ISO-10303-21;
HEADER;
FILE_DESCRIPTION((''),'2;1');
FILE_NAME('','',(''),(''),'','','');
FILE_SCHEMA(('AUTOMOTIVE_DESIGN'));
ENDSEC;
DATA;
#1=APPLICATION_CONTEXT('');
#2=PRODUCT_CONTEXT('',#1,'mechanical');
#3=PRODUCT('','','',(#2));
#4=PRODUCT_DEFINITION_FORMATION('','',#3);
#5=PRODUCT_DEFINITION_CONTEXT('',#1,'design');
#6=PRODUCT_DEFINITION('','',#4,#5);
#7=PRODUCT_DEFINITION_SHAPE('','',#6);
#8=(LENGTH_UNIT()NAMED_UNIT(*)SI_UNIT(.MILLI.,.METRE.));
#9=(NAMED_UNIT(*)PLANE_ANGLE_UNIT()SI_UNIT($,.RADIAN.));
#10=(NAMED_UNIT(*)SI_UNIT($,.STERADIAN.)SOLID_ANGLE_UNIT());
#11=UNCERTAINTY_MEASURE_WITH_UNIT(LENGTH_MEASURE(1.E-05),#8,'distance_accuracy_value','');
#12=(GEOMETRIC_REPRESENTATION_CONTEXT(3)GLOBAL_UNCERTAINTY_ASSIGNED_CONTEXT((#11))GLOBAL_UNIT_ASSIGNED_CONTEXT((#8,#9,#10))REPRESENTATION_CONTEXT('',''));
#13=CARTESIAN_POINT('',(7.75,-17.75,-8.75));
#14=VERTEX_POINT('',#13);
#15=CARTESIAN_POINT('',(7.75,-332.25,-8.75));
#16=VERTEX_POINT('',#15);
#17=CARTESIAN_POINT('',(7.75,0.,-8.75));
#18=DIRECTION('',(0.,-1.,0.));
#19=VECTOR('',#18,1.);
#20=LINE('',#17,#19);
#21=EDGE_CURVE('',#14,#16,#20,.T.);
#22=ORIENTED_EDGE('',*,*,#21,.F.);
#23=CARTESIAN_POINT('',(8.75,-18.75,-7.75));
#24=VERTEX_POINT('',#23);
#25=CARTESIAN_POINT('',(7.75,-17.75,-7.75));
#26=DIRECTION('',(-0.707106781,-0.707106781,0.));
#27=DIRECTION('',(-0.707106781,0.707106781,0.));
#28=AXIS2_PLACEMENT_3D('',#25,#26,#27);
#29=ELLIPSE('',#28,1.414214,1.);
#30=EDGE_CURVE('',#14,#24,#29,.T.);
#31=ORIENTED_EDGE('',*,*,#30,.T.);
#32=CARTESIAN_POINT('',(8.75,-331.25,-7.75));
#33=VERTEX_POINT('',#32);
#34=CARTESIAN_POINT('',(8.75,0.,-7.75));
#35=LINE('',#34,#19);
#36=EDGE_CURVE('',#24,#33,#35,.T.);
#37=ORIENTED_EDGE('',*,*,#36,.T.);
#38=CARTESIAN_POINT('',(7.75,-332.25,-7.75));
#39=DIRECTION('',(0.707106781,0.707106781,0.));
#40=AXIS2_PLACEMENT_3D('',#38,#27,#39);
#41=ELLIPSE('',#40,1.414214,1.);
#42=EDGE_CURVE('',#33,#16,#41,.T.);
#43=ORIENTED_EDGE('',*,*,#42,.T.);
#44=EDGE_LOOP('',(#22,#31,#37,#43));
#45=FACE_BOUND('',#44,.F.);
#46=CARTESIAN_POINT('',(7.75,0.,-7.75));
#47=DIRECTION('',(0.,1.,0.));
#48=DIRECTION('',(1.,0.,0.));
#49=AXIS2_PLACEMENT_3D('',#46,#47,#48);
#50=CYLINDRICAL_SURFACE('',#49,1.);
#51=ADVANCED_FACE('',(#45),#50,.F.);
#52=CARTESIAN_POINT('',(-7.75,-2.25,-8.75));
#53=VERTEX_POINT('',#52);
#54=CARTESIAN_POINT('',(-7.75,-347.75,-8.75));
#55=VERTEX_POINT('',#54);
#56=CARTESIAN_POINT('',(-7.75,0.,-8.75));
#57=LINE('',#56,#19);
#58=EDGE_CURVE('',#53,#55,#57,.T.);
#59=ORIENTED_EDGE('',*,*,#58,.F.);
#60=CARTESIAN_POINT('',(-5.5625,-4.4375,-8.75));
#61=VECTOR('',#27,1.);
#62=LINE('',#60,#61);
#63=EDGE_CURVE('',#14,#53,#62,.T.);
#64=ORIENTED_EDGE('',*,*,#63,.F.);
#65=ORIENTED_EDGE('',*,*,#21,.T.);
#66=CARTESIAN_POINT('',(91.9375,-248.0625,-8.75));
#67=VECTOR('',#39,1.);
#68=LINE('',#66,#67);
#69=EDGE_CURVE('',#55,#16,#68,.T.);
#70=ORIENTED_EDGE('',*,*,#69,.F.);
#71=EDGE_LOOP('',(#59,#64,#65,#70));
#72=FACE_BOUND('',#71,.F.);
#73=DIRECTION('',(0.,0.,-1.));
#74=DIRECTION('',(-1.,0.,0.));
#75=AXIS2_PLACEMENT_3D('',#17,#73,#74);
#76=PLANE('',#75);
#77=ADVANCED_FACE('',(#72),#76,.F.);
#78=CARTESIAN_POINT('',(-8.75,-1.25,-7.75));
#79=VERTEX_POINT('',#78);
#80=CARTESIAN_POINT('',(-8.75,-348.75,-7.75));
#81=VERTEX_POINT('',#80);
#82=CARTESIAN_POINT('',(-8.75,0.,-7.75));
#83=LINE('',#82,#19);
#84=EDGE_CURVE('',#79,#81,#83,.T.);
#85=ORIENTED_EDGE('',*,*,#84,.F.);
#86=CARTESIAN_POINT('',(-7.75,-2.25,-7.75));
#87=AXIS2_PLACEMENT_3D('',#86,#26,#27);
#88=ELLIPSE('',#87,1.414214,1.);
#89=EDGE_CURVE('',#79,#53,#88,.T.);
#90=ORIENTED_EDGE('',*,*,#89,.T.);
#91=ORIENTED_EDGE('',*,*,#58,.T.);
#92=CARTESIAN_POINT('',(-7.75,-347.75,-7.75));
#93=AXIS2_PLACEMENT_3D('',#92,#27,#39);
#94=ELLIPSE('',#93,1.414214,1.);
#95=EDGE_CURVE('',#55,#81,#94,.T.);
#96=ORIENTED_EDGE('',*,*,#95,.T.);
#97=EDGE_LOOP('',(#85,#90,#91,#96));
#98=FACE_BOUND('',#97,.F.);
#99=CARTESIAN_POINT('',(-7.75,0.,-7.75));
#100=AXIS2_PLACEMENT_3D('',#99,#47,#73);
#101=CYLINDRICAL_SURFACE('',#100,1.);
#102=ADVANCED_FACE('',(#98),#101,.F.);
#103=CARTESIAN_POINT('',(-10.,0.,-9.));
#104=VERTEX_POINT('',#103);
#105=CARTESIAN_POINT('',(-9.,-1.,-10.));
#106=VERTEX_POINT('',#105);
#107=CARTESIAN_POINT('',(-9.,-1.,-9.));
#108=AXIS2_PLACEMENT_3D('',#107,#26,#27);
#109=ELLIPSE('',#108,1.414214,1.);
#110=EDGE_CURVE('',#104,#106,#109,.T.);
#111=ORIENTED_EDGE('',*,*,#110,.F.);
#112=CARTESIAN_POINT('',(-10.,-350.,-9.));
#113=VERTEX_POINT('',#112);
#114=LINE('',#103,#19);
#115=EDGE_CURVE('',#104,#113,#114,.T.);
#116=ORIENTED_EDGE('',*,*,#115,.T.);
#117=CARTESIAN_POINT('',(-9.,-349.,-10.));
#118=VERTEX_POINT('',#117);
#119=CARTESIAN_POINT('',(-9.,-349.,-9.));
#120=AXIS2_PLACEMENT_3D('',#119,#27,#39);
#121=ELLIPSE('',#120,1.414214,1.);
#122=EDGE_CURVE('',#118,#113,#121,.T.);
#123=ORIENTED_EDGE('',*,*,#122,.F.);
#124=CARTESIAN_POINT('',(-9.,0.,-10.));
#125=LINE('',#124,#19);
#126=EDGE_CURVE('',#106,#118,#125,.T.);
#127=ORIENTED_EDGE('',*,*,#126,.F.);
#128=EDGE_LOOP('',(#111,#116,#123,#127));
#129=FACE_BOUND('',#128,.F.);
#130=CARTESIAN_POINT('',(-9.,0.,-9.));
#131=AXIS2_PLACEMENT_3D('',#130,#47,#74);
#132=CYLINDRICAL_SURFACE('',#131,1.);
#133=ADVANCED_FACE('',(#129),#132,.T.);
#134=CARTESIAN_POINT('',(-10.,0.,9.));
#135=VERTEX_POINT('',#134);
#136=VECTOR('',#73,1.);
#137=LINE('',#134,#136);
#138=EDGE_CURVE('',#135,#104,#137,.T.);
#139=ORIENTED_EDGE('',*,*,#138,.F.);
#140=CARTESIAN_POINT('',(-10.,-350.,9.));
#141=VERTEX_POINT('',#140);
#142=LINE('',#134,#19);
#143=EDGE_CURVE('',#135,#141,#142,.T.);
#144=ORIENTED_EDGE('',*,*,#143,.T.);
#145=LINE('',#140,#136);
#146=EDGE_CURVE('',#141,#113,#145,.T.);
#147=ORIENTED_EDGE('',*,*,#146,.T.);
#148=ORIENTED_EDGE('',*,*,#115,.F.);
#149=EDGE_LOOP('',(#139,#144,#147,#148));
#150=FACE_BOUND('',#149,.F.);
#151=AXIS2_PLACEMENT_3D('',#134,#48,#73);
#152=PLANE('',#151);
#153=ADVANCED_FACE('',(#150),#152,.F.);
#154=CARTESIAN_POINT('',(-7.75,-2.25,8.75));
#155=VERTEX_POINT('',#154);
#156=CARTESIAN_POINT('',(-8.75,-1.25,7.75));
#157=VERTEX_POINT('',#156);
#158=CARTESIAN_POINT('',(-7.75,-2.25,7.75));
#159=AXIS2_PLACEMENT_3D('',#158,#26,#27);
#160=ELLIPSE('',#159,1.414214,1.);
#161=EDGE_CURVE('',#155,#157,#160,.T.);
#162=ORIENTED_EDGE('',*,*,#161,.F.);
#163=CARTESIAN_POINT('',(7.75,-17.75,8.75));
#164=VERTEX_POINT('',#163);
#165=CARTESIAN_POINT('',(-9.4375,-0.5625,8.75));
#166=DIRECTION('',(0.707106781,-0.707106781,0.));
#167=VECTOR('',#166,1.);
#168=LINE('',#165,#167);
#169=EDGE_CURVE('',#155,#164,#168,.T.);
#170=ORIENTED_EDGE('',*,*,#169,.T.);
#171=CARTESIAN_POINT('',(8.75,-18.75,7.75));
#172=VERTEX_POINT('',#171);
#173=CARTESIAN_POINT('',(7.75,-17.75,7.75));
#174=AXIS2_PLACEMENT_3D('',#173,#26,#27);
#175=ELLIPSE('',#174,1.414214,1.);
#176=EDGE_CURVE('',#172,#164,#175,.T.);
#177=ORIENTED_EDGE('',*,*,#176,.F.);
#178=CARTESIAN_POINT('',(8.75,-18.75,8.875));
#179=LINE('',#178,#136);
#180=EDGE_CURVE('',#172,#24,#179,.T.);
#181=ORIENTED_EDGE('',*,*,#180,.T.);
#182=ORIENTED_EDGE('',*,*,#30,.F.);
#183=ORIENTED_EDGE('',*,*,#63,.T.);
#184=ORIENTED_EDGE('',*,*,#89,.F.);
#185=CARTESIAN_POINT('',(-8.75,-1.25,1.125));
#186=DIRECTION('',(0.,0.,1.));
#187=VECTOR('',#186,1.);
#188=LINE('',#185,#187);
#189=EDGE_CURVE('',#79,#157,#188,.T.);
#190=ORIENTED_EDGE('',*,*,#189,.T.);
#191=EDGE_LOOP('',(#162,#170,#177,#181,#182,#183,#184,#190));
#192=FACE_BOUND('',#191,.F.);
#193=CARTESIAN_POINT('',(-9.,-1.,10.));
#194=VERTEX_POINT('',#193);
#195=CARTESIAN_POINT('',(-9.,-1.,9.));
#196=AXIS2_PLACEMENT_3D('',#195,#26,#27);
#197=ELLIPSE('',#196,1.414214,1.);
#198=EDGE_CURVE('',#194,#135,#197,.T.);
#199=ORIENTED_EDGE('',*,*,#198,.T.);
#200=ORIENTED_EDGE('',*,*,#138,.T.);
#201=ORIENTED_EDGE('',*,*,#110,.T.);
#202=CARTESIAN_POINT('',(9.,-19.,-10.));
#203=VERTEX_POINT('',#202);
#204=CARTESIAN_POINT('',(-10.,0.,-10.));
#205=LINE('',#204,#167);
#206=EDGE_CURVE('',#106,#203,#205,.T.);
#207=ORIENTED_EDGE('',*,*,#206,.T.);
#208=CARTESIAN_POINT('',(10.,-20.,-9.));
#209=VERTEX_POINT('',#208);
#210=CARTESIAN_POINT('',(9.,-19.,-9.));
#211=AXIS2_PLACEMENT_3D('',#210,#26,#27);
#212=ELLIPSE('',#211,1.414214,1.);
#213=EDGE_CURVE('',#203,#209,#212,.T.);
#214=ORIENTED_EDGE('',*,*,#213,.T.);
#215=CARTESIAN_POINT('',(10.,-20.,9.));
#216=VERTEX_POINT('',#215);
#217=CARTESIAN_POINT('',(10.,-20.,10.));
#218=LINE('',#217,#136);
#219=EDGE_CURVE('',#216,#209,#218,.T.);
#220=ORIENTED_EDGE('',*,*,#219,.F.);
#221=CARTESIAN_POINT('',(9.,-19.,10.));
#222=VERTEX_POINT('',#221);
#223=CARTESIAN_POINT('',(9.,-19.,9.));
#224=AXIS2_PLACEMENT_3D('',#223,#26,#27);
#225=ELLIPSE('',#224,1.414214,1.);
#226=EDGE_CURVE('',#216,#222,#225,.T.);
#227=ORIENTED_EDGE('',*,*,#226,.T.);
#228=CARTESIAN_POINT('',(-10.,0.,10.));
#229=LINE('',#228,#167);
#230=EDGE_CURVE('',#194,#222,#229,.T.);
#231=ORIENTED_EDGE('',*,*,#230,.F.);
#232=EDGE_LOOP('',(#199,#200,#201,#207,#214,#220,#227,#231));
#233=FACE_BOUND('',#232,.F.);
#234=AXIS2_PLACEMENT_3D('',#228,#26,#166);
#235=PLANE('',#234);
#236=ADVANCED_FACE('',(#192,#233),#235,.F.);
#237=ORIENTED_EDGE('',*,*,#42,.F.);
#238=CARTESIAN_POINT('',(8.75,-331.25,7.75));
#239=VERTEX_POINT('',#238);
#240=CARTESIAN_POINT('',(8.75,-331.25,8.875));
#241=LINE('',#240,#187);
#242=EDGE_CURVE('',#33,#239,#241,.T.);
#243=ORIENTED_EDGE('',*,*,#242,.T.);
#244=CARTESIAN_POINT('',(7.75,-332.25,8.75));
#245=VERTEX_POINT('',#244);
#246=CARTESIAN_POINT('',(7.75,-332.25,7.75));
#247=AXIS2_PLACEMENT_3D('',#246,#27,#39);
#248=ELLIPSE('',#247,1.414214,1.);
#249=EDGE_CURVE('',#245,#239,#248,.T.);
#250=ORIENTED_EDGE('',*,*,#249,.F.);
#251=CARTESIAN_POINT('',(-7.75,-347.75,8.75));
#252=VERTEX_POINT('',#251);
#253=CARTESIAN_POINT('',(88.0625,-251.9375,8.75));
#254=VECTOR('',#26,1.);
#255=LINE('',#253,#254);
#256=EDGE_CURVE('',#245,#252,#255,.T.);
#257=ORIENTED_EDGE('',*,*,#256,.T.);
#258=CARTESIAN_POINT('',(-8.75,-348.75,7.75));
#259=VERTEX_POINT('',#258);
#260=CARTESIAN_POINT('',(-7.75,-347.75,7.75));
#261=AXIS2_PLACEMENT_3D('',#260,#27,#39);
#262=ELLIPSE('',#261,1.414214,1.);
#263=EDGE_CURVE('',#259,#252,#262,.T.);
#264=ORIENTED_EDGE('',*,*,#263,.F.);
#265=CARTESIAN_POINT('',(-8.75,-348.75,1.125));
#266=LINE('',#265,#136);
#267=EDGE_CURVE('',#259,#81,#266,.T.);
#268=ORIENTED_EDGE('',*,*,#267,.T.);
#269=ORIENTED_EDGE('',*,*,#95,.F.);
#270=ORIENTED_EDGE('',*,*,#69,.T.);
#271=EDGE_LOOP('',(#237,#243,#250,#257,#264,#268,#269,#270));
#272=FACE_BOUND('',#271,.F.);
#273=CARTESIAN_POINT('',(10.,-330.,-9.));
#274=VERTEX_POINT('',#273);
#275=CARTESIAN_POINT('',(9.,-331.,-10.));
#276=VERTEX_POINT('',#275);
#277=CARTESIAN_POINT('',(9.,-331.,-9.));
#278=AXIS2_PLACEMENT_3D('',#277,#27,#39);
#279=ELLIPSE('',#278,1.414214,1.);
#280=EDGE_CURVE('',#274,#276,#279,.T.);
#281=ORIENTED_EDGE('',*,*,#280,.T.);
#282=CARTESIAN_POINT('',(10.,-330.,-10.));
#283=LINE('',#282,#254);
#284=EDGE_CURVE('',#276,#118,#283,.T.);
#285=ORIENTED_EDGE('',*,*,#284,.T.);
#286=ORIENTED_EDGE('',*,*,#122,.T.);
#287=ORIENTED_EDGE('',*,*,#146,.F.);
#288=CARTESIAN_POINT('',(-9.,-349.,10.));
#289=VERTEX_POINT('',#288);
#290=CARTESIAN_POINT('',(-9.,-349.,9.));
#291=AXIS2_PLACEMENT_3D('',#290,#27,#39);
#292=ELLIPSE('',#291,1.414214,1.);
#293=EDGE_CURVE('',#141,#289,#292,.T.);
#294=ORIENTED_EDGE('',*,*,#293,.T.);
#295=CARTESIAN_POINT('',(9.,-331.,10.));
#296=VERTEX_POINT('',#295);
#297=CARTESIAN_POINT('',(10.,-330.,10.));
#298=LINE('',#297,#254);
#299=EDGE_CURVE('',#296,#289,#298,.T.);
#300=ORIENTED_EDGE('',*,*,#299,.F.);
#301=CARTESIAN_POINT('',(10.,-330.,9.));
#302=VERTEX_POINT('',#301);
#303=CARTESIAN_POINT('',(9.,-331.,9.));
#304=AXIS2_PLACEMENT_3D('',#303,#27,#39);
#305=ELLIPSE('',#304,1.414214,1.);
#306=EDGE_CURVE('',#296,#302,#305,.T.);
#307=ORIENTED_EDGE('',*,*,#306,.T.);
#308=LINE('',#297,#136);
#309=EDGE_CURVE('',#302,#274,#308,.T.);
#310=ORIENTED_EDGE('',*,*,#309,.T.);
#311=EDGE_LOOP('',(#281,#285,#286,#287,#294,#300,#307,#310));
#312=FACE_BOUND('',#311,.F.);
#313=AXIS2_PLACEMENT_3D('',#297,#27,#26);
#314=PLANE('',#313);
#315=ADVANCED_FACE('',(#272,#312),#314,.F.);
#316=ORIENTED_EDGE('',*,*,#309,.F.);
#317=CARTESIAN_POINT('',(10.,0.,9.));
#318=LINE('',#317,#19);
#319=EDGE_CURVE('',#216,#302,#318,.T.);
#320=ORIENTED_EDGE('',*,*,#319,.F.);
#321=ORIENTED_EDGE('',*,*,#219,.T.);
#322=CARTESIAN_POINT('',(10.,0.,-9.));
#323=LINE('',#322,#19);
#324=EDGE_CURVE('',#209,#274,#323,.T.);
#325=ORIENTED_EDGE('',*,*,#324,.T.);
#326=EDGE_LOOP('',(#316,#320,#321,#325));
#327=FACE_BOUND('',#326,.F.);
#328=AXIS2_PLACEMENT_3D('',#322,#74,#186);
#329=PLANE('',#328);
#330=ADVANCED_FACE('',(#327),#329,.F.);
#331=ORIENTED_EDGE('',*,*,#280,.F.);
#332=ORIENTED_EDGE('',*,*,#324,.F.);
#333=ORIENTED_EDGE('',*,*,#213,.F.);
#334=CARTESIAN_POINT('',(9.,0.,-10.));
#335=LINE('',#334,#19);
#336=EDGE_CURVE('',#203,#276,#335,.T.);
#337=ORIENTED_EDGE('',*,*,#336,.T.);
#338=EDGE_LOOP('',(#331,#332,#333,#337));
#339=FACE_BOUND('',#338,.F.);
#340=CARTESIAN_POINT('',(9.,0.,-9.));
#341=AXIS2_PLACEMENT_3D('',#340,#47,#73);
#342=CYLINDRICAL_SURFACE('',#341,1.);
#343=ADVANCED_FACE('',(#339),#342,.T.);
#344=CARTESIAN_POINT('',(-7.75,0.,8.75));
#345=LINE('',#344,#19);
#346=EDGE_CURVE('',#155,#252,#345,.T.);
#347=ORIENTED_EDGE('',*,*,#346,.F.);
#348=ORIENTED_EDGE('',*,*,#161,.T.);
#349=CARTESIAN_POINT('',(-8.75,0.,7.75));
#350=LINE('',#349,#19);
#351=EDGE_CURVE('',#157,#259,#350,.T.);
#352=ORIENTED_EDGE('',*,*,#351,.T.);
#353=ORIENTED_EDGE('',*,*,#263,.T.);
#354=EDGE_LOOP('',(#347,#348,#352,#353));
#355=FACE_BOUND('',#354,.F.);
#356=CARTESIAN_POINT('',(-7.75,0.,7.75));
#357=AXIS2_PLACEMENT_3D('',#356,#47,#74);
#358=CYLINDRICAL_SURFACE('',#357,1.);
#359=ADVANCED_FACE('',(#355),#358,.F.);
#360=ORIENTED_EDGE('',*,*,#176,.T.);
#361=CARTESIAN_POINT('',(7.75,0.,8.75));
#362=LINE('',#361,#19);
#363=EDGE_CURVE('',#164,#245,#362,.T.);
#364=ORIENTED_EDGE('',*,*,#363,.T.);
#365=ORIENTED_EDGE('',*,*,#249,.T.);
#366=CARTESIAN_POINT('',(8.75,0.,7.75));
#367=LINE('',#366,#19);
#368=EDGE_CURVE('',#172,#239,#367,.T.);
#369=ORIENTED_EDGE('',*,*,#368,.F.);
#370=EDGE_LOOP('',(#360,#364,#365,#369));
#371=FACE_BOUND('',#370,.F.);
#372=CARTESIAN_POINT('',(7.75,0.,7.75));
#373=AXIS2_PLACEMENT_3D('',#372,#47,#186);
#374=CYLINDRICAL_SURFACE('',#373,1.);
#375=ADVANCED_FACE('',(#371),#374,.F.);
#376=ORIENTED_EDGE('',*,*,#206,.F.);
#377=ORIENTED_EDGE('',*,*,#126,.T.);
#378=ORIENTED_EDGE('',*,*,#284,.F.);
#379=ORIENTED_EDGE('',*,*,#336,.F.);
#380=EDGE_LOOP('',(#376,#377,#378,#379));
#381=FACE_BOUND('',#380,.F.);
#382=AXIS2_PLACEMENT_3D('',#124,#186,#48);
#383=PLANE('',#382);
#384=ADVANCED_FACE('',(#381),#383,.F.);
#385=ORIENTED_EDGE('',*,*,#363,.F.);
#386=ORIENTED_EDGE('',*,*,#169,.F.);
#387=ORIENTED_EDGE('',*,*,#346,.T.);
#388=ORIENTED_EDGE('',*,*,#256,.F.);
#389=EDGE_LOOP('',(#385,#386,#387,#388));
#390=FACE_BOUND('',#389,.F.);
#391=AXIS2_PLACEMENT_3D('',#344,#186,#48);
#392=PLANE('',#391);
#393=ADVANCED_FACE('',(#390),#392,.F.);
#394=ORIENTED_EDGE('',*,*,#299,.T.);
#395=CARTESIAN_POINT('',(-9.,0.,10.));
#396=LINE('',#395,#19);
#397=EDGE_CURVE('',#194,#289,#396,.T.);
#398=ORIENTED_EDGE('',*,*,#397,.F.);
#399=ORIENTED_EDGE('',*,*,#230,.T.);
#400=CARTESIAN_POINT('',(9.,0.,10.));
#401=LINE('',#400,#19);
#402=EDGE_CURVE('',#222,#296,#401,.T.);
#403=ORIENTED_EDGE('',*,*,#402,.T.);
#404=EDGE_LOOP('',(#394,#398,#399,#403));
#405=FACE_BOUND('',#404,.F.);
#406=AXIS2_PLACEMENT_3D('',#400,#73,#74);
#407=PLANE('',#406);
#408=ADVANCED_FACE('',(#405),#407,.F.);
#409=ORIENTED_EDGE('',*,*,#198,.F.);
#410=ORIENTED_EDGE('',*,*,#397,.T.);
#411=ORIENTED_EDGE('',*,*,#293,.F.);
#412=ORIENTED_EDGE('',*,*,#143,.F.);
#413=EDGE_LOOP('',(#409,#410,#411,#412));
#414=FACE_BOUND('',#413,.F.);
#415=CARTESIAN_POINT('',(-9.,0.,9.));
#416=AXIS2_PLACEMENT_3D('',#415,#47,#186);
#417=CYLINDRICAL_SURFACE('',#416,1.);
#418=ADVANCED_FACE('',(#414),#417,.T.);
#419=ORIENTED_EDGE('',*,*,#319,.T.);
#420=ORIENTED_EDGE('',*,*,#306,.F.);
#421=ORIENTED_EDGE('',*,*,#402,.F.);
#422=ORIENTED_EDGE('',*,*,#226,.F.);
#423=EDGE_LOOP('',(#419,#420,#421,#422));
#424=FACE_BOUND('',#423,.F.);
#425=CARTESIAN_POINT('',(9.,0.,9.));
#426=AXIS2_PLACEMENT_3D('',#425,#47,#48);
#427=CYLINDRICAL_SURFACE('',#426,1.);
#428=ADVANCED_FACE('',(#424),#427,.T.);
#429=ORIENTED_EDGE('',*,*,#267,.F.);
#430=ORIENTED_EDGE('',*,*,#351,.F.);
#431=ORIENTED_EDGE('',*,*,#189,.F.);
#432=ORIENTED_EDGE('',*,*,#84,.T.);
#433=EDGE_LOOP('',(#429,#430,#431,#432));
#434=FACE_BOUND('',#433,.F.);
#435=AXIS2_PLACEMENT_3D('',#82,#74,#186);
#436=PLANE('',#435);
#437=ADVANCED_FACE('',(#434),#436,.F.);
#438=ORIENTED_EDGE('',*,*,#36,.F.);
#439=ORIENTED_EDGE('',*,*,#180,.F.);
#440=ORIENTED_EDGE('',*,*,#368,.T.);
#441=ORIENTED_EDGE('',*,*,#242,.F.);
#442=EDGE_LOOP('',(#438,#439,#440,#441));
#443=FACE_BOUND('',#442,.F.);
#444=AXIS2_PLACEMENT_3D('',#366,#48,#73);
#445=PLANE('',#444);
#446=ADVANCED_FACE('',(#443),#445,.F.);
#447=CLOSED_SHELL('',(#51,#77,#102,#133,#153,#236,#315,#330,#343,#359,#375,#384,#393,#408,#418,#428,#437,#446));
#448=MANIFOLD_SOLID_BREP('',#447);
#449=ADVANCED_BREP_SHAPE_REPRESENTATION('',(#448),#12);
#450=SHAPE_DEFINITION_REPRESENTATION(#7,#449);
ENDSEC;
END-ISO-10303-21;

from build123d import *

# Parameters (mm, degrees)
F1_DEPTH = 350
F3_DEPTH = 20


with BuildPart() as f1:
    # F0 (on Front) → F1 (new body)
    with BuildSketch(Plane.XZ):
        with BuildLine():
            Line((9, 10), (-9, 10))
            ThreePointArc((-9, 10), (-9.7071067812, 9.7071067812), (-10, 9))
            Line((-10, 9), (-10, -9))
            ThreePointArc((-10, -9), (-9.7071067812, -9.7071067812), (-9, -10))
            Line((-9, -10), (9, -10))
            ThreePointArc((9, -10), (9.7071067812, -9.7071067812), (10, -9))
            Line((10, -9), (10, 9))
            ThreePointArc((10, 9), (9.7071067812, 9.7071067812), (9, 10))
        make_face()
        with BuildLine():
            ThreePointArc((-8.75, 7.75), (-8.4571067812, 8.4571067812), (-7.75, 8.75))
            Line((-7.75, 8.75), (7.75, 8.75))
            ThreePointArc((7.75, 8.75), (8.4571067812, 8.4571067812), (8.75, 7.75))
            Line((8.75, 7.75), (8.75, -7.75))
            ThreePointArc((8.75, -7.75), (8.4571067812, -8.4571067812), (7.75, -8.75))
            Line((7.75, -8.75), (-7.75, -8.75))
            ThreePointArc((-7.75, -8.75), (-8.4571067812, -8.4571067812), (-8.75, -7.75))
            Line((-8.75, -7.75), (-8.75, 7.75))
        make_face(mode=Mode.SUBTRACT)
    extrude(amount=F1_DEPTH)

    # F2 (on face) → F3 (cut)
    with BuildSketch(Plane.XY.offset(10)):
        Polygon((10, 0), (9, 0), (9, -19), (10, -20), align=None)
        Polygon((9, 0), (-9, 0), (-9, -1), (9, -19), align=None)
        Polygon((9, -331), (-9, -349), (-9, -350), (9, -350), align=None)
        Polygon((10, -330), (9, -331), (9, -350), (10, -350), align=None)
        Polygon((-9, -350), (-9, -349), (-10, -350), align=None)
        Polygon((-9, -1), (-9, 0), (-10, 0), align=None)
    extrude(amount=-F3_DEPTH, mode=Mode.SUBTRACT)


solid = f1.part
